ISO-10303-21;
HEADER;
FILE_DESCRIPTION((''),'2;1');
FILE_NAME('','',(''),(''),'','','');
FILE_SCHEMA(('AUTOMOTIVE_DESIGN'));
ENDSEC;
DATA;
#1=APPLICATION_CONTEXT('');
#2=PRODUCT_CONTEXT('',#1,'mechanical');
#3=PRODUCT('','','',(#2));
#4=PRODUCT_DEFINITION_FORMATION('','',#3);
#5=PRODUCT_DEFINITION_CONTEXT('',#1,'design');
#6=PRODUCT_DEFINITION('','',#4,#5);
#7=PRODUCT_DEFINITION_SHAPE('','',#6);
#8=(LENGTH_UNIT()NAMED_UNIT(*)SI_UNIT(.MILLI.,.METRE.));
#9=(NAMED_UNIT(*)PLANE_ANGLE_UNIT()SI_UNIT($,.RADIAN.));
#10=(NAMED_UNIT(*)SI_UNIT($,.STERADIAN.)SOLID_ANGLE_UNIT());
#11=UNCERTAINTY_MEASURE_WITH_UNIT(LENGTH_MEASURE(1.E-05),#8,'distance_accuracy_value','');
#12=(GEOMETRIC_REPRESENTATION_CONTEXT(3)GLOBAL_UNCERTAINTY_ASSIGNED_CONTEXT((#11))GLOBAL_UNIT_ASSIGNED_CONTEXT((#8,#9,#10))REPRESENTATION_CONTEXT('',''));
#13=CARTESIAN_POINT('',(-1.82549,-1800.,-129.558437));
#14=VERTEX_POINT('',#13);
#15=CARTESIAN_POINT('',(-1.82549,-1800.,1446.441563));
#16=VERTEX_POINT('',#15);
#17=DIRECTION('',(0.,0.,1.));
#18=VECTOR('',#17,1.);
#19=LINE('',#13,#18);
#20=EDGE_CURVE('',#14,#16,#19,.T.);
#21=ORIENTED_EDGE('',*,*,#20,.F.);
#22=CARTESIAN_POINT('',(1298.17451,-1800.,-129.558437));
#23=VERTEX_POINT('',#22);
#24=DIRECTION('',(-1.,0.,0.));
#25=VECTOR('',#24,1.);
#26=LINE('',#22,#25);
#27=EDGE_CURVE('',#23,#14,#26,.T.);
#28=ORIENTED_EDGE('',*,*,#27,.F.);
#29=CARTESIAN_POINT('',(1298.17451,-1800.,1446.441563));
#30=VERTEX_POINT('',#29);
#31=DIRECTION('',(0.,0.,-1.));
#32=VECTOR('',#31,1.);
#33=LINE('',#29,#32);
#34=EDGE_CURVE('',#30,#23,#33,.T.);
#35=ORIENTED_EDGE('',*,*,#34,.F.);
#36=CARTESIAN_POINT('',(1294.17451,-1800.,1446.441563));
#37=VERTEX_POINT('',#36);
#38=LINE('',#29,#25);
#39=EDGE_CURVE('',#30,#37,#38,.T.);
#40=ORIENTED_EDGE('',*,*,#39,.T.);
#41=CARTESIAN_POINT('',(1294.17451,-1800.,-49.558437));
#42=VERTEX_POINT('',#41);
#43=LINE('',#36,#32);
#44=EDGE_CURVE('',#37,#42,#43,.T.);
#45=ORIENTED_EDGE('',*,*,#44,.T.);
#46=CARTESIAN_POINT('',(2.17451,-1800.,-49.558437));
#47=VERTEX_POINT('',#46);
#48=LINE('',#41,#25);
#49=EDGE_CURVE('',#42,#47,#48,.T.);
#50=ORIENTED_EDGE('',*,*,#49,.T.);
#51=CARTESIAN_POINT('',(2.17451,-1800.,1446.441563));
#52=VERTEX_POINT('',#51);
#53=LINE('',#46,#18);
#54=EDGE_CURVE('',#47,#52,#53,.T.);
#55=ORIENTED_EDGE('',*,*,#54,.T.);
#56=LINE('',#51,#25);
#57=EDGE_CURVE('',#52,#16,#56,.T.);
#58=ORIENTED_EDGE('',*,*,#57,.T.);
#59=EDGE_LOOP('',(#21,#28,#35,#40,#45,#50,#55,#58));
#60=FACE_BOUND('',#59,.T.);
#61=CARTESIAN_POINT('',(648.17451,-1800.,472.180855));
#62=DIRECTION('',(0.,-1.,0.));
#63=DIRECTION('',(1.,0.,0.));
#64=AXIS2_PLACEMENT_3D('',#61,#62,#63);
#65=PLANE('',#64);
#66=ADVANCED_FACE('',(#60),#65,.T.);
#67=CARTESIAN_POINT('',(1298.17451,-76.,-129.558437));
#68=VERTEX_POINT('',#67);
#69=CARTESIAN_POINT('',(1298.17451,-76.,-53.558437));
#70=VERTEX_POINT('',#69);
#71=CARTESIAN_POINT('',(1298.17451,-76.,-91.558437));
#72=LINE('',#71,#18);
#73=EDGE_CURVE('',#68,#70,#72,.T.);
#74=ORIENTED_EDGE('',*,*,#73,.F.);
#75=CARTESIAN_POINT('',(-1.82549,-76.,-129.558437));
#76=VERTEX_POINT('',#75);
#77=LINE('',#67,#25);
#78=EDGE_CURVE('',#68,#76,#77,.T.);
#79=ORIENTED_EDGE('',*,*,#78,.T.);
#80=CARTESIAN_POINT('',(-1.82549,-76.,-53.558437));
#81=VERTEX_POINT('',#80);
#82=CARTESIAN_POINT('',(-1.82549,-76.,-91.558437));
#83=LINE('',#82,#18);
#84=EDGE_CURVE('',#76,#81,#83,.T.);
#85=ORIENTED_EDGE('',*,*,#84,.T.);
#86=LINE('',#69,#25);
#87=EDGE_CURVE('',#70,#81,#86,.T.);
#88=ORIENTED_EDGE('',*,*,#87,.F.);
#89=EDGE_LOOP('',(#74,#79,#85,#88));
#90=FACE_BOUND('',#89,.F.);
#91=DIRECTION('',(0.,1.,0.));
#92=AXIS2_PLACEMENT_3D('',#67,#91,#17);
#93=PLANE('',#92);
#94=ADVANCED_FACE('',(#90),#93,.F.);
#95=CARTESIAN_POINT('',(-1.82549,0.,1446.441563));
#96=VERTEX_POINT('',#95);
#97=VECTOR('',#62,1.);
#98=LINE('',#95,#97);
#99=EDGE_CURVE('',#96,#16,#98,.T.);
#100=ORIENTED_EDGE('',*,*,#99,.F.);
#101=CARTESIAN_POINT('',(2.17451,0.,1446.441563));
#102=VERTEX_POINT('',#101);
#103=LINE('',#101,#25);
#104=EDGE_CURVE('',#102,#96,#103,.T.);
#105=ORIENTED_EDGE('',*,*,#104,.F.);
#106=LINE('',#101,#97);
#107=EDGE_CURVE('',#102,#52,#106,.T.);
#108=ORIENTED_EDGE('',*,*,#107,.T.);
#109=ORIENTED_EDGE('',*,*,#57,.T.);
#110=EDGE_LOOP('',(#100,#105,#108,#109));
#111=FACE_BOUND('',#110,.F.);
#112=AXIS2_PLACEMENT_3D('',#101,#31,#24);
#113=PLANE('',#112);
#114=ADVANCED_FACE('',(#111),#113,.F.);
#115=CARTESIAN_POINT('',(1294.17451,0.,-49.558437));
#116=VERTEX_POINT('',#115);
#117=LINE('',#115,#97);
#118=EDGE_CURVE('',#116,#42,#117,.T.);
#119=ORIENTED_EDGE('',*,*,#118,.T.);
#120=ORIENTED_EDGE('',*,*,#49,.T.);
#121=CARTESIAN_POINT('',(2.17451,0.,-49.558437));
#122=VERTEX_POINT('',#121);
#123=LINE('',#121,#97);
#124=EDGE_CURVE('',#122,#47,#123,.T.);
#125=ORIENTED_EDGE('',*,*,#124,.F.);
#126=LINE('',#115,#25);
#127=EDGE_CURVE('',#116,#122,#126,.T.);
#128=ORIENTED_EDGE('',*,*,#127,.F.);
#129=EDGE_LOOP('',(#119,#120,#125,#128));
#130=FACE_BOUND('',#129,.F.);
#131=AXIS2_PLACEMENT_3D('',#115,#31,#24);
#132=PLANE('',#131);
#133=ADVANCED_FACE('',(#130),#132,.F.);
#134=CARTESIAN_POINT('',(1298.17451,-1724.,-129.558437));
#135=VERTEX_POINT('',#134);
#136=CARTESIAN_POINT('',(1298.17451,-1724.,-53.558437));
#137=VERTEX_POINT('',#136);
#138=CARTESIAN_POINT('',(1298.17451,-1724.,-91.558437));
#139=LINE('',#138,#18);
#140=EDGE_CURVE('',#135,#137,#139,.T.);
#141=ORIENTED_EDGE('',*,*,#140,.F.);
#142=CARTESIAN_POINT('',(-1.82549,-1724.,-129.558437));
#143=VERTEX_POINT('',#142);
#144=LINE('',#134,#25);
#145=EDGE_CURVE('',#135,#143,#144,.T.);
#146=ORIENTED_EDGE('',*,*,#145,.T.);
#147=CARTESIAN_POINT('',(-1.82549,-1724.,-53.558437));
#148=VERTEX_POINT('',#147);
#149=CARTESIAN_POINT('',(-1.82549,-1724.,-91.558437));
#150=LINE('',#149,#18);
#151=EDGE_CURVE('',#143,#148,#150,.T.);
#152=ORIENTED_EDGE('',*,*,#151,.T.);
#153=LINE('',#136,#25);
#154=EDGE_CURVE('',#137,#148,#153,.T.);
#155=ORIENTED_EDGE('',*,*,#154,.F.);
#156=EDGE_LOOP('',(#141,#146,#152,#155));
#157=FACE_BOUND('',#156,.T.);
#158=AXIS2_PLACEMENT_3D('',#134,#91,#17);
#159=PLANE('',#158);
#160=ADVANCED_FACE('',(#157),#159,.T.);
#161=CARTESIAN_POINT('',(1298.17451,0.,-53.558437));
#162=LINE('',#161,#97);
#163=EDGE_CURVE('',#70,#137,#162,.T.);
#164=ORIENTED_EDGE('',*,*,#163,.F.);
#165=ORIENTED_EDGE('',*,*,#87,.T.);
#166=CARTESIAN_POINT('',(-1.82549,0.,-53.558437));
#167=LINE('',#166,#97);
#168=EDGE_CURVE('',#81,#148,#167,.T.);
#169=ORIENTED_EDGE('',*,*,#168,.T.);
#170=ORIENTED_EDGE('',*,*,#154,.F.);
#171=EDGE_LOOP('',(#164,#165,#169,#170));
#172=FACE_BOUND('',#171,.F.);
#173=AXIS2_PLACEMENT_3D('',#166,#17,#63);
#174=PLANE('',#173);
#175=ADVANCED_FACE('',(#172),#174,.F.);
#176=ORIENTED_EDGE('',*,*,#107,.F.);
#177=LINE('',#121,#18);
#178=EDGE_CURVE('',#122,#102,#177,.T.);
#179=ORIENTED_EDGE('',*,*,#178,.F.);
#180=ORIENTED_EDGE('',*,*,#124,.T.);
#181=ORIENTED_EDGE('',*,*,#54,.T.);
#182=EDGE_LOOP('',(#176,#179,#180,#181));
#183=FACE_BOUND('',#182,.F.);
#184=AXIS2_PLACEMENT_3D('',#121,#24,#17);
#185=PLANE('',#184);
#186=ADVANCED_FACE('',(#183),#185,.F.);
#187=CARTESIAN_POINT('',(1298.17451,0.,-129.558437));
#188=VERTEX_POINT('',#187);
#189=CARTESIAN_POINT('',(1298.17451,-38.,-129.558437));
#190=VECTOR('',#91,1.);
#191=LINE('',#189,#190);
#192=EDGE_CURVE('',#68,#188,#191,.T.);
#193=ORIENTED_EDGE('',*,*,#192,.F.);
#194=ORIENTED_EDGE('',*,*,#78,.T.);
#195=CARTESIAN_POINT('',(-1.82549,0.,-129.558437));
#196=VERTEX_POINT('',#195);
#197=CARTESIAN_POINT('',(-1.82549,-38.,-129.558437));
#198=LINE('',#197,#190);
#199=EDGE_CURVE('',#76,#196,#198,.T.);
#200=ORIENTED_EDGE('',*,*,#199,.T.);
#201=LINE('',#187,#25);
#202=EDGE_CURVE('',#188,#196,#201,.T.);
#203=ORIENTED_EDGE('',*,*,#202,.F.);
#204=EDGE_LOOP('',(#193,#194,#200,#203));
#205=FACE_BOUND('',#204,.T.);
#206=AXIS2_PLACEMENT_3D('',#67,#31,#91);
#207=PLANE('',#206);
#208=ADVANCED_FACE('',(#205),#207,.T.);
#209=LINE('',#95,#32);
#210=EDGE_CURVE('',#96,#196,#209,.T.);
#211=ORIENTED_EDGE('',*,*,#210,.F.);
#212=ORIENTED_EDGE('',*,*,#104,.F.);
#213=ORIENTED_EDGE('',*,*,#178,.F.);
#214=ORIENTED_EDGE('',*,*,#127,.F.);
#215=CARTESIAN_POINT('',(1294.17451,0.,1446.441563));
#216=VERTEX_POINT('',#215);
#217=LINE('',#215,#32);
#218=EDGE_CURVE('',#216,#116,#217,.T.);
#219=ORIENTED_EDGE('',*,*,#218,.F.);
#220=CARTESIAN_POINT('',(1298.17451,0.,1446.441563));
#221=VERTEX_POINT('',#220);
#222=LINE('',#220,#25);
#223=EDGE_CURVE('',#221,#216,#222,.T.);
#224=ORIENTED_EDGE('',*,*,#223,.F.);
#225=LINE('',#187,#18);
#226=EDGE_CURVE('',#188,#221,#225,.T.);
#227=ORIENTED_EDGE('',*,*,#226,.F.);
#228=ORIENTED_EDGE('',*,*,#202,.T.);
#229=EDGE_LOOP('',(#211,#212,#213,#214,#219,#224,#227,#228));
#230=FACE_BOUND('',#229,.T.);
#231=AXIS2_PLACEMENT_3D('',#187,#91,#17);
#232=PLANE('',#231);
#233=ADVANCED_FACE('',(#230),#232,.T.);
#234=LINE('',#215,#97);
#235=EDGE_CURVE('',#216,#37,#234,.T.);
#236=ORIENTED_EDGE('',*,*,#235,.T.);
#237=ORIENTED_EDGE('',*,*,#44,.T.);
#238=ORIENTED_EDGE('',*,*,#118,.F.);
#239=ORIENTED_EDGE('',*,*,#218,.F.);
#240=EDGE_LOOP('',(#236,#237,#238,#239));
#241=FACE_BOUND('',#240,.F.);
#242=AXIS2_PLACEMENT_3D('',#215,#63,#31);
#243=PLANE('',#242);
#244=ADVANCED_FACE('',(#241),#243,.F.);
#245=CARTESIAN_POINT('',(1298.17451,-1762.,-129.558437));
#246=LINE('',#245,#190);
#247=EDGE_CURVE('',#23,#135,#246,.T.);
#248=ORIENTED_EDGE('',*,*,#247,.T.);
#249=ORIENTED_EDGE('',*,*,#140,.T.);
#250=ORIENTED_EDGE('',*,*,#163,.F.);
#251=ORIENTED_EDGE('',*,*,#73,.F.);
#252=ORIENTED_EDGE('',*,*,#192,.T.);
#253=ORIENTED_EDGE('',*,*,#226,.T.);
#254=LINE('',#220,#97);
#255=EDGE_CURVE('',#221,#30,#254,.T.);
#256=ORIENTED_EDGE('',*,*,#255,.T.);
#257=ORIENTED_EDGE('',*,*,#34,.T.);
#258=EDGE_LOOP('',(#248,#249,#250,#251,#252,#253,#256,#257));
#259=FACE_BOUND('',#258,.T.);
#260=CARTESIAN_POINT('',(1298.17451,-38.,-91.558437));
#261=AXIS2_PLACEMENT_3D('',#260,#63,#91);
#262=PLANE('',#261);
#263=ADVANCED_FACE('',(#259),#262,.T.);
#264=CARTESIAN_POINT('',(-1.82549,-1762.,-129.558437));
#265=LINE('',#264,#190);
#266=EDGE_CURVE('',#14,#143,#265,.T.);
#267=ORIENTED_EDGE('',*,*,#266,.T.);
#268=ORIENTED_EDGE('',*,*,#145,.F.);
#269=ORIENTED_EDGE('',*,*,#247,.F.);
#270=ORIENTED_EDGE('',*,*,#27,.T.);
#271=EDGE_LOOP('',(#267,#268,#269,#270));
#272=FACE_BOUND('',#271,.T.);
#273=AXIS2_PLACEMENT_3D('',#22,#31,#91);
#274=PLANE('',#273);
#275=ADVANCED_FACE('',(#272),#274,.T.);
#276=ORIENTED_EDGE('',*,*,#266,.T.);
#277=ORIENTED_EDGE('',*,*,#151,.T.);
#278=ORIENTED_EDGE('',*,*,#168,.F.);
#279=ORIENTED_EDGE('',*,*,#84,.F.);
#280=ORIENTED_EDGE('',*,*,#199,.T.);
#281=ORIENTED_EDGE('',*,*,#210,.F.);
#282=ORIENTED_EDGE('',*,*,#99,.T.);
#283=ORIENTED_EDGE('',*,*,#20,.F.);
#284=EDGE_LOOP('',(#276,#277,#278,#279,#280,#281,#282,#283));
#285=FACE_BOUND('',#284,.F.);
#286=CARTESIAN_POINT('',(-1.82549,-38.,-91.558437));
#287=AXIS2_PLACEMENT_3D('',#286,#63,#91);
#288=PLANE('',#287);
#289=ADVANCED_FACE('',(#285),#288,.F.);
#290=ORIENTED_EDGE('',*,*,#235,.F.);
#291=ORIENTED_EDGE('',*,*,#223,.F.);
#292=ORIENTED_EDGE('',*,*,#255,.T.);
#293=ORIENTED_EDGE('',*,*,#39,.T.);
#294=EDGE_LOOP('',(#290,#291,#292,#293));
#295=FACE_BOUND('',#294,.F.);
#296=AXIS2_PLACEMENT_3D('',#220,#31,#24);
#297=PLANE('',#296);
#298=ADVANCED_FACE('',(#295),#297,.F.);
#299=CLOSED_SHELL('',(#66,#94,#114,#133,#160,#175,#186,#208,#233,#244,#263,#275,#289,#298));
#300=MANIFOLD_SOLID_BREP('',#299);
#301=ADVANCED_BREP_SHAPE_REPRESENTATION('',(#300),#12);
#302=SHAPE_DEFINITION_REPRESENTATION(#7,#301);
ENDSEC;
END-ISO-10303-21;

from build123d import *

# Parameters (mm, degrees)
F1_DEPTH = 1800
F2_W     = 76
F2_H     = 76
F3_DEPTH = 1300


with BuildPart() as f1:
    # F0 (on Front) → F1 (new body)
    with BuildSketch(Plane.XZ):
        Polygon((2.1745097741, -49.5584370656), (2.1745097741, 1446.4415629344), (-1.8254902259, 1446.4415629344), (-1.8254902259, -53.5584370656), (1298.1745097741, -53.5584370656), (1298.1745097741, 1446.4415629344), (1294.1745097741, 1446.4415629344), (1294.1745097741, -49.5584370656), align=None)
    extrude(amount=F1_DEPTH)

    # F2 (on face) → F3 (join)
    with BuildSketch(Plane.YZ.offset(1298.1745097741)):
        with Locations((-38, -91.5584370656)):
            Rectangle(F2_W, F2_H)
        with Locations((-1762, -91.5584370656)):
            Rectangle(F2_W, F2_H)
    extrude(amount=-F3_DEPTH)


solid = f1.part
